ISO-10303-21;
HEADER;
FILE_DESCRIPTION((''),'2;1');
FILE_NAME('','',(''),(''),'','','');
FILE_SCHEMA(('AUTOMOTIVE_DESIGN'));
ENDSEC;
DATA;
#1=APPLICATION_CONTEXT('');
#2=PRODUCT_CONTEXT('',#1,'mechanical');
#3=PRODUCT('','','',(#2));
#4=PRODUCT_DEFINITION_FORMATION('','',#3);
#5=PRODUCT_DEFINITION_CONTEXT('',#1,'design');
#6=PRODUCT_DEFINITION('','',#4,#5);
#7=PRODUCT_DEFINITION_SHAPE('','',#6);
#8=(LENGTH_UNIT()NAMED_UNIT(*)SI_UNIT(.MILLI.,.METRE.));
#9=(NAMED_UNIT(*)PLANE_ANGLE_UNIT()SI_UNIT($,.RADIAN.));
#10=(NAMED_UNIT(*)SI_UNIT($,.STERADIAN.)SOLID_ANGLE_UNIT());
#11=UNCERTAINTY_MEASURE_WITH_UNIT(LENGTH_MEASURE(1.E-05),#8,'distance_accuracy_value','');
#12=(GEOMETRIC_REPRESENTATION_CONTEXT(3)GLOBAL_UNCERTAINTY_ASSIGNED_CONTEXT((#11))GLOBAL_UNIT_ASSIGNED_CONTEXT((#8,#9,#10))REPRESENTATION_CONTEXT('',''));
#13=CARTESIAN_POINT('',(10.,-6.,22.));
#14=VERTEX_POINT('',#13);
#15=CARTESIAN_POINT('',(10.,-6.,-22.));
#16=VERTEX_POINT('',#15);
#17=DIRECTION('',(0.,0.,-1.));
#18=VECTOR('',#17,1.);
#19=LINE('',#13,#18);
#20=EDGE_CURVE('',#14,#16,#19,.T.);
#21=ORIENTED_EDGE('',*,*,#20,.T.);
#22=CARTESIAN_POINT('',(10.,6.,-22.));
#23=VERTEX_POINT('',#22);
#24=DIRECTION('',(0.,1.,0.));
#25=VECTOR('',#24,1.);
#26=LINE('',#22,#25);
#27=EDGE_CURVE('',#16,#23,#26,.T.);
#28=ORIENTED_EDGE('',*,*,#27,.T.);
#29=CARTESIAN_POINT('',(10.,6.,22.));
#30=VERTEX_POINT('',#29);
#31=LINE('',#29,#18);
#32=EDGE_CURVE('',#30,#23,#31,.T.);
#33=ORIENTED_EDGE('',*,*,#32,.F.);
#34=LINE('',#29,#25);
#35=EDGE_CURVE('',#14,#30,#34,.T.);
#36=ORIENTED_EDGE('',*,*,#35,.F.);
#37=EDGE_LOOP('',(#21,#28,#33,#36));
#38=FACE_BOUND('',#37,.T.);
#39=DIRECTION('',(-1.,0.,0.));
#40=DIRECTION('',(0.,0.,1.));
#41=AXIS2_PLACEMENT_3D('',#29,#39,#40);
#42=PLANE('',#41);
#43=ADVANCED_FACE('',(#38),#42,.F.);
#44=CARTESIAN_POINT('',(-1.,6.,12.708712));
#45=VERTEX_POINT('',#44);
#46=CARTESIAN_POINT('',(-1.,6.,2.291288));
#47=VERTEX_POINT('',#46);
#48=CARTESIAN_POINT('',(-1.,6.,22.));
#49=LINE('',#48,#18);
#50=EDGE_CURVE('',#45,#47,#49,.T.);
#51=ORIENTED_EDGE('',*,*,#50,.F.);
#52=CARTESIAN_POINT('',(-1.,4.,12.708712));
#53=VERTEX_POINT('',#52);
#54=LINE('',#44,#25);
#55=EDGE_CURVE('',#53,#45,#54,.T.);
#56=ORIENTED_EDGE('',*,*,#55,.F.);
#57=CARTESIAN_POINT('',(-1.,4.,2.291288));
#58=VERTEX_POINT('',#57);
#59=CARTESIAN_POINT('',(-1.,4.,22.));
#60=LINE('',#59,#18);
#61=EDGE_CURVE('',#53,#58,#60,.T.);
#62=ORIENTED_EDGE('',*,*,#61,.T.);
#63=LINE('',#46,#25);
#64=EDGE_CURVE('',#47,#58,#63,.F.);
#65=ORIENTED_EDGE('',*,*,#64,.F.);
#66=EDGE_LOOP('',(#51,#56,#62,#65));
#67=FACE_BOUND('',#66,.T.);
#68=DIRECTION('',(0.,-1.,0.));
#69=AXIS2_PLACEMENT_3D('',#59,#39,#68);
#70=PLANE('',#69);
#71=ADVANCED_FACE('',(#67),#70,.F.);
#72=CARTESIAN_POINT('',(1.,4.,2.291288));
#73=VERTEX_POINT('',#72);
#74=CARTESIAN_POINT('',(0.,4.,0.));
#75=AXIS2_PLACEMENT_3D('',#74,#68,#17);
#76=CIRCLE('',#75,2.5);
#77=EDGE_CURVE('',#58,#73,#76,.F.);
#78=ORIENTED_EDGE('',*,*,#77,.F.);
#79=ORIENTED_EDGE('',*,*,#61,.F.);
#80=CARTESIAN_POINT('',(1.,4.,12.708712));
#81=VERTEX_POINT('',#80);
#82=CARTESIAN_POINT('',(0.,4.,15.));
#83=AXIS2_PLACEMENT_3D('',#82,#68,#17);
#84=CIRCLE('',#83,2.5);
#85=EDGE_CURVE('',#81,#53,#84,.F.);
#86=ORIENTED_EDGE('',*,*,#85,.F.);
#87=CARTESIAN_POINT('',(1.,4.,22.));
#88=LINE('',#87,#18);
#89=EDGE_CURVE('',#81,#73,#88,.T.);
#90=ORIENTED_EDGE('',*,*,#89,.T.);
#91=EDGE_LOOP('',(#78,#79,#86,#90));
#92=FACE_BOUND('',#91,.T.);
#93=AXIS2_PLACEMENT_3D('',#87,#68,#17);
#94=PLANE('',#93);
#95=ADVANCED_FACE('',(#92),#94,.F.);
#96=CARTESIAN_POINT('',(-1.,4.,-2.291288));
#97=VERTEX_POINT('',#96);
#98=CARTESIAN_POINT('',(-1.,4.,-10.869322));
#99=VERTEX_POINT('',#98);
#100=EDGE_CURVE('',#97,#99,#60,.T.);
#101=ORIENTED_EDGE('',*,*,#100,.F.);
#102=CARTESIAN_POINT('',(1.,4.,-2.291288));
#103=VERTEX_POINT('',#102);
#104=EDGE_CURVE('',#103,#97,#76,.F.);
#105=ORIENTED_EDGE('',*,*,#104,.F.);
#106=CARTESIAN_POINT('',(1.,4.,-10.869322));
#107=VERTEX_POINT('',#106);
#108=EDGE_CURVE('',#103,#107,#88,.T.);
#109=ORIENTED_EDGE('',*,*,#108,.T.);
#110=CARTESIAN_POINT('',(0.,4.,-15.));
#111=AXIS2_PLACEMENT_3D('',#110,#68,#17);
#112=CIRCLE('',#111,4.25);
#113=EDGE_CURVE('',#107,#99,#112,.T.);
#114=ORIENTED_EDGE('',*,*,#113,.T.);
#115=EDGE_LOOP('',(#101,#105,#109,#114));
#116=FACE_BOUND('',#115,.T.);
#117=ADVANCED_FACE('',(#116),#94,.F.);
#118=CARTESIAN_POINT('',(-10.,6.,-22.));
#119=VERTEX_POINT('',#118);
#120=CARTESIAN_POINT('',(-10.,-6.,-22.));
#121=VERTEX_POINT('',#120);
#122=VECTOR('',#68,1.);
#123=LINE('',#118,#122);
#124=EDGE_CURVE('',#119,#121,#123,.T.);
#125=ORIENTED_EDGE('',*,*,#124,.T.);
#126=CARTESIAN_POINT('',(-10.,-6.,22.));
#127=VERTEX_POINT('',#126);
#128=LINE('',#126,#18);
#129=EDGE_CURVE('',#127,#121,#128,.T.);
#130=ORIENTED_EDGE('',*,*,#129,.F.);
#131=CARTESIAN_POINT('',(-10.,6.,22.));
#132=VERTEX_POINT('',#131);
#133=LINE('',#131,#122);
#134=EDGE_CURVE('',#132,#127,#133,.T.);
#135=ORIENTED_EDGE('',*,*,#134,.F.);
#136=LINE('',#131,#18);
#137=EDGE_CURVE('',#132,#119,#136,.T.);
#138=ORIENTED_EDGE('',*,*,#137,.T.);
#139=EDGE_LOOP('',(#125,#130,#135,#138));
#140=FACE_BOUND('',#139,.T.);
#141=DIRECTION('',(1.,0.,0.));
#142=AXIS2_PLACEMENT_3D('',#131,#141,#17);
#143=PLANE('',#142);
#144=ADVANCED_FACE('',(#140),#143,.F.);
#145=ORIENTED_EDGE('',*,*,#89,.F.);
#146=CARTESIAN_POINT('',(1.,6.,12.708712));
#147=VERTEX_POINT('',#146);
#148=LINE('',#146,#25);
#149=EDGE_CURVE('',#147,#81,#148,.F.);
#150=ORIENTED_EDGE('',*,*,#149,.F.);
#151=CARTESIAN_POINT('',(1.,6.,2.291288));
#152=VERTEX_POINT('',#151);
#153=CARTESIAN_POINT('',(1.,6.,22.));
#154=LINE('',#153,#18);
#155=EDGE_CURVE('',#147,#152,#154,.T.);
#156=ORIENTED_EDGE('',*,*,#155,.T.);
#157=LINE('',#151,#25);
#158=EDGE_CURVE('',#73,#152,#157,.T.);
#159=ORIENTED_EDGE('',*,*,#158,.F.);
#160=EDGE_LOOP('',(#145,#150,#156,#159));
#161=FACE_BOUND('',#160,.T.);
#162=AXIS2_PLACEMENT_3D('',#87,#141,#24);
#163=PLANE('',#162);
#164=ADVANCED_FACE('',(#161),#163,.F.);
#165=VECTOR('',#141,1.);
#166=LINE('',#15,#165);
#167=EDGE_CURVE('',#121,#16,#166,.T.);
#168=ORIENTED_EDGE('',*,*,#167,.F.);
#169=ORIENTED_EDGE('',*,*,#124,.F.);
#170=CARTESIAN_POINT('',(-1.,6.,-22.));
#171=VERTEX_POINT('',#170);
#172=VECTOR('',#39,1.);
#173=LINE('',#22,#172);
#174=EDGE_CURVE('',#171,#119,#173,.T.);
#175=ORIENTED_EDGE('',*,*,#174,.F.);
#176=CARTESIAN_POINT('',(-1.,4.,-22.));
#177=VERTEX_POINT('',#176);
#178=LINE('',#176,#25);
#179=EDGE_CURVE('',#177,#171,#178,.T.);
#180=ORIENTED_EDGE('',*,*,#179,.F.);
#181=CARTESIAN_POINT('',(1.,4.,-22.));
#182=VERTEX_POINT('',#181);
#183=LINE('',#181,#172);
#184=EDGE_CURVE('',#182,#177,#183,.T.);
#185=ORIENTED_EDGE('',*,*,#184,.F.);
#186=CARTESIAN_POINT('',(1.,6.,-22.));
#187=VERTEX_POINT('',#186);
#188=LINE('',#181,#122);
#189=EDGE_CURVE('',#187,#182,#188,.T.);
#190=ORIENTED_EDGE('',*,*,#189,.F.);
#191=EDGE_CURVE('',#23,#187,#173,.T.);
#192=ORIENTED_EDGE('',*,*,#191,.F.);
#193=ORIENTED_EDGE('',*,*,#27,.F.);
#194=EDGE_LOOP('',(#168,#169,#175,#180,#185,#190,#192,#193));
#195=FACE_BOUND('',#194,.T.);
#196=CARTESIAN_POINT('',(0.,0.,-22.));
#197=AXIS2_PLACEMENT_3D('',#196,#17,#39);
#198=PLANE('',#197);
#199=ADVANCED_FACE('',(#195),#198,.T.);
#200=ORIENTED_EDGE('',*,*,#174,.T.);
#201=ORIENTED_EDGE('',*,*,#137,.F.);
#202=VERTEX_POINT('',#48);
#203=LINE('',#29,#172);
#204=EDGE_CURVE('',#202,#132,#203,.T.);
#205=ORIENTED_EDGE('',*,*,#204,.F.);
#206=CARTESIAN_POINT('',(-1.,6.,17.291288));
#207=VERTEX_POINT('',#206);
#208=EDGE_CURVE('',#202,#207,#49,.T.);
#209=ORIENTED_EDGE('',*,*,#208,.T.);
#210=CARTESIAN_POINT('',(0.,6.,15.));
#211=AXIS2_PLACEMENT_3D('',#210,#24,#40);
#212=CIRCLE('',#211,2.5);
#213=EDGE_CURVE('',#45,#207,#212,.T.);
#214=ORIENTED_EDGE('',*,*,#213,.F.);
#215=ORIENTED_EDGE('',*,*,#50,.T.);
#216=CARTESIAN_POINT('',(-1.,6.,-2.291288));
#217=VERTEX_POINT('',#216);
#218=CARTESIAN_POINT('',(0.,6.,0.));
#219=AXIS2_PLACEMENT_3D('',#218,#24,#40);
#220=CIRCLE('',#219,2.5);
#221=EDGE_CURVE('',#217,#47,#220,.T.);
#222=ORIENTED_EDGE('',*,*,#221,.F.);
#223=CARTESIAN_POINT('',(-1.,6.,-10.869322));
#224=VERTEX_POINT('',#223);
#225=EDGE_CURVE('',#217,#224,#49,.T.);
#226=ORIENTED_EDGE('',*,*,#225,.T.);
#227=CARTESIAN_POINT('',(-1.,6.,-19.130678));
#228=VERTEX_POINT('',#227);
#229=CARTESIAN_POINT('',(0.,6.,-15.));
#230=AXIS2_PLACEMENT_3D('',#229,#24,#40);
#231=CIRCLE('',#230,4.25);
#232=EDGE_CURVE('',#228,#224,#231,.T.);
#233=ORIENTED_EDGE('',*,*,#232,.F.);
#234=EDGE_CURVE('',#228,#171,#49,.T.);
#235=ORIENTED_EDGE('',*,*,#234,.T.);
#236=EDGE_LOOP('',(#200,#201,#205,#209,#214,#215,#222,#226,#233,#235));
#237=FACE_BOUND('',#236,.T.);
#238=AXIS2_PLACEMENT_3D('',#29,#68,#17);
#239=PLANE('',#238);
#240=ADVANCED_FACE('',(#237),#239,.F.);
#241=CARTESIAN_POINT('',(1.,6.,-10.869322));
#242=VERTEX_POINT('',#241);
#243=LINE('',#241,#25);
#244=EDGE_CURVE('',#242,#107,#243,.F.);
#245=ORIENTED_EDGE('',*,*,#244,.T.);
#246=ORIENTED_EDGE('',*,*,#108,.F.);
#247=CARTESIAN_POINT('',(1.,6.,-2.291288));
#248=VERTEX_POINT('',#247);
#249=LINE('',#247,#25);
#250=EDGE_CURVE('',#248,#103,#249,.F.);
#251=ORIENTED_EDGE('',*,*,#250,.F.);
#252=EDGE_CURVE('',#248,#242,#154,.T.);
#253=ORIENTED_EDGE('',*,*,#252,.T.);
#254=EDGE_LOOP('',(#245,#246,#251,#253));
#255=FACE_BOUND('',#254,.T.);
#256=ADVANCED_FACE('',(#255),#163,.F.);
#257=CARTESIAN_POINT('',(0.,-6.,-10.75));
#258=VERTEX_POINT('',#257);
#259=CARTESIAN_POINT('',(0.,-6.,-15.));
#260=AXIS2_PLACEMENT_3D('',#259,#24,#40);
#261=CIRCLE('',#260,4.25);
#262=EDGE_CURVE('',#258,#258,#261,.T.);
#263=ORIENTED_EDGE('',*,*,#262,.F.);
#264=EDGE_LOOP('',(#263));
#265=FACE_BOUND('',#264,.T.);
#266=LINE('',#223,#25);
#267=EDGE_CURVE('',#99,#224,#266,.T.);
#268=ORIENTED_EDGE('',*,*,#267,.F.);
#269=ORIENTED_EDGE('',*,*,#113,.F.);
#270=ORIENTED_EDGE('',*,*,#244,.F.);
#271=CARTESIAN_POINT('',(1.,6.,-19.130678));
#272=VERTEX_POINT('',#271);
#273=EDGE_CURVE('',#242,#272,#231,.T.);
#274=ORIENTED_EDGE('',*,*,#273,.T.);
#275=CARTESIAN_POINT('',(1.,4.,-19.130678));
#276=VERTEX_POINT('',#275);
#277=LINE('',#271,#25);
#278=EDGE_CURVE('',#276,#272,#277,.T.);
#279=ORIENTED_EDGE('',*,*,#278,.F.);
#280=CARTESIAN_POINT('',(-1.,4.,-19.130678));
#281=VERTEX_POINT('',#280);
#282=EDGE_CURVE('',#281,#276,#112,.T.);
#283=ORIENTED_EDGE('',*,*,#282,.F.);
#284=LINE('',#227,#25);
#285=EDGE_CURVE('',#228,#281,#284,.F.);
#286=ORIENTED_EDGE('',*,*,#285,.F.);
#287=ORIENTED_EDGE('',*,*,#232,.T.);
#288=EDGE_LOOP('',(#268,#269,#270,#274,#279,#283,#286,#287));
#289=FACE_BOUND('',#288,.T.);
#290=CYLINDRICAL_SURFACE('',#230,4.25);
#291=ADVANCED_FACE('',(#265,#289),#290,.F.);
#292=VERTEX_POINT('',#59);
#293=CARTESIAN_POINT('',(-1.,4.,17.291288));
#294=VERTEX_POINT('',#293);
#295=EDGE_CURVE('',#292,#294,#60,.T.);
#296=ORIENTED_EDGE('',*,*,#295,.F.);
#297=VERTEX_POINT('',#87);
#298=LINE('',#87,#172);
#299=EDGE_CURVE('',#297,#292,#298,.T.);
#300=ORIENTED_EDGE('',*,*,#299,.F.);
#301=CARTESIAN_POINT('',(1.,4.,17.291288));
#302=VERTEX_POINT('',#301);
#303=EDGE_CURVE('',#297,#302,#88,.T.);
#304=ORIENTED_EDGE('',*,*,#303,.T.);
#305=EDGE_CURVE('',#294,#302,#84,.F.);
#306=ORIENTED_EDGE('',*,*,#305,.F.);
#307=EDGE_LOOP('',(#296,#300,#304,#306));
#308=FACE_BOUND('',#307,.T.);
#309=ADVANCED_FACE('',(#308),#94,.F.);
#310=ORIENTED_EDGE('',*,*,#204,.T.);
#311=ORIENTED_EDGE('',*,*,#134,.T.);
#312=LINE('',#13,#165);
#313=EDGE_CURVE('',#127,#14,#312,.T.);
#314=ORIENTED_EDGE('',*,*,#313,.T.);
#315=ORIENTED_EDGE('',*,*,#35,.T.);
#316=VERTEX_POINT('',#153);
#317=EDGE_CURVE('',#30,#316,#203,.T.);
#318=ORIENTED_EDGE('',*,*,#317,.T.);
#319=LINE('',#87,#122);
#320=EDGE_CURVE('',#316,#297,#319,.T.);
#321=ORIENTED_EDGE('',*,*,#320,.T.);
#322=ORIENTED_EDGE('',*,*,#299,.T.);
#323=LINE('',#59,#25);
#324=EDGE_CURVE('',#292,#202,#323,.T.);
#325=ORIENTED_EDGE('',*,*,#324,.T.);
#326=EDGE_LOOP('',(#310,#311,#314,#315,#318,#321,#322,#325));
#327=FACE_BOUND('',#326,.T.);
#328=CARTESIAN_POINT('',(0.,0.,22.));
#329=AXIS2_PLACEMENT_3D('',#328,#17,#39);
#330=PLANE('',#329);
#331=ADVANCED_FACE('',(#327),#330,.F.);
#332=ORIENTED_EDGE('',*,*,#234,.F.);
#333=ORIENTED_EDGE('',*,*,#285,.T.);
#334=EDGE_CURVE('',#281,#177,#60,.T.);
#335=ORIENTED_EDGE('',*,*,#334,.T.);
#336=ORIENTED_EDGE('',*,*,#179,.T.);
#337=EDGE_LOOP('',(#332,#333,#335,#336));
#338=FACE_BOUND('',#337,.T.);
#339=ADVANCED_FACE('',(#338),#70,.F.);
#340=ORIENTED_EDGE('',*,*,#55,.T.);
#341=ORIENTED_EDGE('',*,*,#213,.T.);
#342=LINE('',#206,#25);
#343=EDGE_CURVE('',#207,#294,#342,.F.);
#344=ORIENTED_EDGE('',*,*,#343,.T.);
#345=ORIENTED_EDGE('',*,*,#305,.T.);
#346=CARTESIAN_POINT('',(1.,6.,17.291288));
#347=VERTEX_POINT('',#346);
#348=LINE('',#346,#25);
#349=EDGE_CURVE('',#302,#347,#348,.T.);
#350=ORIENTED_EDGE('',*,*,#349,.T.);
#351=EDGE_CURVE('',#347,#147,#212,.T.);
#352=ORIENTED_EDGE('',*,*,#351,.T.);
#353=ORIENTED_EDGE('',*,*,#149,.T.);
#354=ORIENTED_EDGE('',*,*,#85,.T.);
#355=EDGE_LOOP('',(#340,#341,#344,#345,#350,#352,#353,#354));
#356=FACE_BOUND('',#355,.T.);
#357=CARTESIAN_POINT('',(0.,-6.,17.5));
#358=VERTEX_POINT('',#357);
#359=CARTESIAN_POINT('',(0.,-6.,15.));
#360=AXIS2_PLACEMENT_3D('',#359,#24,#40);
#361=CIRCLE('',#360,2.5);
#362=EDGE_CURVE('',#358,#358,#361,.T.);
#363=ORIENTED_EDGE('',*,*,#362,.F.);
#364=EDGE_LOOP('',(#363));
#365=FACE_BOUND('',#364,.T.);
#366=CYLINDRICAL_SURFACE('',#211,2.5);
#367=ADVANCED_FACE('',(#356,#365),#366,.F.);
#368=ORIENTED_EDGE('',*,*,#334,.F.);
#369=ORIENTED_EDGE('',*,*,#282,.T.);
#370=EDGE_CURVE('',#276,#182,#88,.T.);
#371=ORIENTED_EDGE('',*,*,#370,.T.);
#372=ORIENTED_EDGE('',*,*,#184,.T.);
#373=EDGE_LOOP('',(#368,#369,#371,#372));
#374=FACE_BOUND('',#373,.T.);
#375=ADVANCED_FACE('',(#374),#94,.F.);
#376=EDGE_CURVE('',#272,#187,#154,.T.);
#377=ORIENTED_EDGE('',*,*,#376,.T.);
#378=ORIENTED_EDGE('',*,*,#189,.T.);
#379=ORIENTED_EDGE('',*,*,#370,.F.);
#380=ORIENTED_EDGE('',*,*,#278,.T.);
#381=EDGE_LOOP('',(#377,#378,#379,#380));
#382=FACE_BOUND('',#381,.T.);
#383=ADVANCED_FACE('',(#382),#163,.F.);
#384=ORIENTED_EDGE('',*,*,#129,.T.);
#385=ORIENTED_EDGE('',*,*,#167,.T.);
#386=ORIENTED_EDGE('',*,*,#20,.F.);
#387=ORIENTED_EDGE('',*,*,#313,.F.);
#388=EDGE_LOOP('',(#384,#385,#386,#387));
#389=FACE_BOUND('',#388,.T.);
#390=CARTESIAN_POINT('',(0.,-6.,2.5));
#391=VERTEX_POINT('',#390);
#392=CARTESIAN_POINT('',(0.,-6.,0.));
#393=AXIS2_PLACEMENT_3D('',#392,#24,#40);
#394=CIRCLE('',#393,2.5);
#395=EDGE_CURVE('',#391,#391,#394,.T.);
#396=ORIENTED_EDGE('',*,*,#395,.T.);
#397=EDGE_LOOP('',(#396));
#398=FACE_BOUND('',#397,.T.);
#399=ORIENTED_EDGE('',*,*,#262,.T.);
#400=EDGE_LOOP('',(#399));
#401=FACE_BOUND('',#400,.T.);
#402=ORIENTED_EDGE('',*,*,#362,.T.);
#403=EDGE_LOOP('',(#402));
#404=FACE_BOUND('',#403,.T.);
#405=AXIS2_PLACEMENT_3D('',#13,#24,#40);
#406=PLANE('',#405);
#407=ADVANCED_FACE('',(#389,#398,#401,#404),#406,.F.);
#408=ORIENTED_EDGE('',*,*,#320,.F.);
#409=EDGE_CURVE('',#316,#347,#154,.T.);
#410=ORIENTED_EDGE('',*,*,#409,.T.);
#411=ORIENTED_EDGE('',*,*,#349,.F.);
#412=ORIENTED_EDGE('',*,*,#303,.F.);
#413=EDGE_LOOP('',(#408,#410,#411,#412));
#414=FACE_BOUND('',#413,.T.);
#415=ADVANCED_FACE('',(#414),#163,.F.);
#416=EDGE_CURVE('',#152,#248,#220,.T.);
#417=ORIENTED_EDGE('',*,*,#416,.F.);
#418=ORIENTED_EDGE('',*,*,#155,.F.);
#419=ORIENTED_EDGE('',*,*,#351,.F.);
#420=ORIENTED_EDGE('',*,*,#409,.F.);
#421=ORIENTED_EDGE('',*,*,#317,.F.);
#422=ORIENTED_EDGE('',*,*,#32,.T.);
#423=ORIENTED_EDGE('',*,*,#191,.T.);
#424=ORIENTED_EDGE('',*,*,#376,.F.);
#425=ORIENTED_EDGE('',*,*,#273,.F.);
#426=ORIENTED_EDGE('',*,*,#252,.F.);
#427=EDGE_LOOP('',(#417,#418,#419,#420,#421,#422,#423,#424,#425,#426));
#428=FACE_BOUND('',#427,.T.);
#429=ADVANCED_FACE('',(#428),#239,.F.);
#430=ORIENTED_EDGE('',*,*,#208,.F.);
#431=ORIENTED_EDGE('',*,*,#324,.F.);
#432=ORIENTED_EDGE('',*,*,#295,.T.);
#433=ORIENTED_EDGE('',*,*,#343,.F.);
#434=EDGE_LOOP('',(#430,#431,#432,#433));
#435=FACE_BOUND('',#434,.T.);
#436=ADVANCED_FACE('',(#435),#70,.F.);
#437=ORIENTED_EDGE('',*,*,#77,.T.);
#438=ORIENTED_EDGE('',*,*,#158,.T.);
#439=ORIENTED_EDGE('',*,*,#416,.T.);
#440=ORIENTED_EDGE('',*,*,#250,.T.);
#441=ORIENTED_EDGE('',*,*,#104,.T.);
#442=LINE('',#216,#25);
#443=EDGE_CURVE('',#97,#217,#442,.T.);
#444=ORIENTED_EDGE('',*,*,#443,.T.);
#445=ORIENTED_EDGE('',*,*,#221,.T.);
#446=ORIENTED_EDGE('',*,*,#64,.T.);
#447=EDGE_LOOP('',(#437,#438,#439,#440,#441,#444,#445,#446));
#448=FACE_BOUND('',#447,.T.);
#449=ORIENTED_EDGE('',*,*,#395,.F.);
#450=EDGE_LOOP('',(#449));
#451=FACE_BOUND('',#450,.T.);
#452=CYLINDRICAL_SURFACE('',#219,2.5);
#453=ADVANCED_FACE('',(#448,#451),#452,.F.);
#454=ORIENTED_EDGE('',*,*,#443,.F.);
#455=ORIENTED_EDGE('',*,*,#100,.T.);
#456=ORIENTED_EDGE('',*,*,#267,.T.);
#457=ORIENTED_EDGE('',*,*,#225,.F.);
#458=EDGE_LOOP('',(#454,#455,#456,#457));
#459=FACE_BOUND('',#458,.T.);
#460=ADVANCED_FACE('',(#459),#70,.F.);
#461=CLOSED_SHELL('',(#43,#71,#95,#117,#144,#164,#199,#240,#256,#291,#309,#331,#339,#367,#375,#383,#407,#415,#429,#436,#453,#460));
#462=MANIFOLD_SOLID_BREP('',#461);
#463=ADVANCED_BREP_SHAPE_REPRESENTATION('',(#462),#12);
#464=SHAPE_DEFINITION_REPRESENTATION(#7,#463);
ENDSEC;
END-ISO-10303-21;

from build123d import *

# Parameters (mm, degrees)
SKETCH1_W              = 20
SKETCH1_H              = 12
BOSS_EXTRUDE1_DEPTH    = 22
M6X1_0_TAPPED_HOLE1_D  = 5
SKETCH7_W              = 2
SKETCH7_H              = 2
CUT_EXTRUDE2_DEPTH     = 46.519226707
M10X1_5_TAPPED_HOLE1_D = 8.5


with BuildPart() as part:
    # Sketch1 → Boss-Extrude1 (new, symmetric)
    with BuildSketch(Plane.XY):
        Rectangle(SKETCH1_W, SKETCH1_H)
    extrude(amount=BOSS_EXTRUDE1_DEPTH, both=True)

    # M6x1.0 Tapped Hole1 (through all)
    with Locations(Plane(origin=(0, 6, 0), x_dir=(1, 0, 0), z_dir=(0, 1, 0))):
        with Locations((0, -15), (0, 0), (0, 15)):
            Hole(M6X1_0_TAPPED_HOLE1_D / 2)

    # Sketch7 → Cut-Extrude2 (cut, through all)
    with BuildSketch(Plane(origin=(0, 0, -22), x_dir=(-1, 0, 0), z_dir=(0, 0, -1))):
        with Locations((0, 5)):
            Rectangle(SKETCH7_W, SKETCH7_H)
    extrude(amount=-CUT_EXTRUDE2_DEPTH, mode=Mode.SUBTRACT)

    # M10x1.5 Tapped Hole1 (through all)
    with Locations(Plane(origin=(0, 6, 0), x_dir=(1, 0, 0), z_dir=(0, 1, 0))):
        with Locations((0, 15)):
            Hole(M10X1_5_TAPPED_HOLE1_D / 2)


solid = part.part
